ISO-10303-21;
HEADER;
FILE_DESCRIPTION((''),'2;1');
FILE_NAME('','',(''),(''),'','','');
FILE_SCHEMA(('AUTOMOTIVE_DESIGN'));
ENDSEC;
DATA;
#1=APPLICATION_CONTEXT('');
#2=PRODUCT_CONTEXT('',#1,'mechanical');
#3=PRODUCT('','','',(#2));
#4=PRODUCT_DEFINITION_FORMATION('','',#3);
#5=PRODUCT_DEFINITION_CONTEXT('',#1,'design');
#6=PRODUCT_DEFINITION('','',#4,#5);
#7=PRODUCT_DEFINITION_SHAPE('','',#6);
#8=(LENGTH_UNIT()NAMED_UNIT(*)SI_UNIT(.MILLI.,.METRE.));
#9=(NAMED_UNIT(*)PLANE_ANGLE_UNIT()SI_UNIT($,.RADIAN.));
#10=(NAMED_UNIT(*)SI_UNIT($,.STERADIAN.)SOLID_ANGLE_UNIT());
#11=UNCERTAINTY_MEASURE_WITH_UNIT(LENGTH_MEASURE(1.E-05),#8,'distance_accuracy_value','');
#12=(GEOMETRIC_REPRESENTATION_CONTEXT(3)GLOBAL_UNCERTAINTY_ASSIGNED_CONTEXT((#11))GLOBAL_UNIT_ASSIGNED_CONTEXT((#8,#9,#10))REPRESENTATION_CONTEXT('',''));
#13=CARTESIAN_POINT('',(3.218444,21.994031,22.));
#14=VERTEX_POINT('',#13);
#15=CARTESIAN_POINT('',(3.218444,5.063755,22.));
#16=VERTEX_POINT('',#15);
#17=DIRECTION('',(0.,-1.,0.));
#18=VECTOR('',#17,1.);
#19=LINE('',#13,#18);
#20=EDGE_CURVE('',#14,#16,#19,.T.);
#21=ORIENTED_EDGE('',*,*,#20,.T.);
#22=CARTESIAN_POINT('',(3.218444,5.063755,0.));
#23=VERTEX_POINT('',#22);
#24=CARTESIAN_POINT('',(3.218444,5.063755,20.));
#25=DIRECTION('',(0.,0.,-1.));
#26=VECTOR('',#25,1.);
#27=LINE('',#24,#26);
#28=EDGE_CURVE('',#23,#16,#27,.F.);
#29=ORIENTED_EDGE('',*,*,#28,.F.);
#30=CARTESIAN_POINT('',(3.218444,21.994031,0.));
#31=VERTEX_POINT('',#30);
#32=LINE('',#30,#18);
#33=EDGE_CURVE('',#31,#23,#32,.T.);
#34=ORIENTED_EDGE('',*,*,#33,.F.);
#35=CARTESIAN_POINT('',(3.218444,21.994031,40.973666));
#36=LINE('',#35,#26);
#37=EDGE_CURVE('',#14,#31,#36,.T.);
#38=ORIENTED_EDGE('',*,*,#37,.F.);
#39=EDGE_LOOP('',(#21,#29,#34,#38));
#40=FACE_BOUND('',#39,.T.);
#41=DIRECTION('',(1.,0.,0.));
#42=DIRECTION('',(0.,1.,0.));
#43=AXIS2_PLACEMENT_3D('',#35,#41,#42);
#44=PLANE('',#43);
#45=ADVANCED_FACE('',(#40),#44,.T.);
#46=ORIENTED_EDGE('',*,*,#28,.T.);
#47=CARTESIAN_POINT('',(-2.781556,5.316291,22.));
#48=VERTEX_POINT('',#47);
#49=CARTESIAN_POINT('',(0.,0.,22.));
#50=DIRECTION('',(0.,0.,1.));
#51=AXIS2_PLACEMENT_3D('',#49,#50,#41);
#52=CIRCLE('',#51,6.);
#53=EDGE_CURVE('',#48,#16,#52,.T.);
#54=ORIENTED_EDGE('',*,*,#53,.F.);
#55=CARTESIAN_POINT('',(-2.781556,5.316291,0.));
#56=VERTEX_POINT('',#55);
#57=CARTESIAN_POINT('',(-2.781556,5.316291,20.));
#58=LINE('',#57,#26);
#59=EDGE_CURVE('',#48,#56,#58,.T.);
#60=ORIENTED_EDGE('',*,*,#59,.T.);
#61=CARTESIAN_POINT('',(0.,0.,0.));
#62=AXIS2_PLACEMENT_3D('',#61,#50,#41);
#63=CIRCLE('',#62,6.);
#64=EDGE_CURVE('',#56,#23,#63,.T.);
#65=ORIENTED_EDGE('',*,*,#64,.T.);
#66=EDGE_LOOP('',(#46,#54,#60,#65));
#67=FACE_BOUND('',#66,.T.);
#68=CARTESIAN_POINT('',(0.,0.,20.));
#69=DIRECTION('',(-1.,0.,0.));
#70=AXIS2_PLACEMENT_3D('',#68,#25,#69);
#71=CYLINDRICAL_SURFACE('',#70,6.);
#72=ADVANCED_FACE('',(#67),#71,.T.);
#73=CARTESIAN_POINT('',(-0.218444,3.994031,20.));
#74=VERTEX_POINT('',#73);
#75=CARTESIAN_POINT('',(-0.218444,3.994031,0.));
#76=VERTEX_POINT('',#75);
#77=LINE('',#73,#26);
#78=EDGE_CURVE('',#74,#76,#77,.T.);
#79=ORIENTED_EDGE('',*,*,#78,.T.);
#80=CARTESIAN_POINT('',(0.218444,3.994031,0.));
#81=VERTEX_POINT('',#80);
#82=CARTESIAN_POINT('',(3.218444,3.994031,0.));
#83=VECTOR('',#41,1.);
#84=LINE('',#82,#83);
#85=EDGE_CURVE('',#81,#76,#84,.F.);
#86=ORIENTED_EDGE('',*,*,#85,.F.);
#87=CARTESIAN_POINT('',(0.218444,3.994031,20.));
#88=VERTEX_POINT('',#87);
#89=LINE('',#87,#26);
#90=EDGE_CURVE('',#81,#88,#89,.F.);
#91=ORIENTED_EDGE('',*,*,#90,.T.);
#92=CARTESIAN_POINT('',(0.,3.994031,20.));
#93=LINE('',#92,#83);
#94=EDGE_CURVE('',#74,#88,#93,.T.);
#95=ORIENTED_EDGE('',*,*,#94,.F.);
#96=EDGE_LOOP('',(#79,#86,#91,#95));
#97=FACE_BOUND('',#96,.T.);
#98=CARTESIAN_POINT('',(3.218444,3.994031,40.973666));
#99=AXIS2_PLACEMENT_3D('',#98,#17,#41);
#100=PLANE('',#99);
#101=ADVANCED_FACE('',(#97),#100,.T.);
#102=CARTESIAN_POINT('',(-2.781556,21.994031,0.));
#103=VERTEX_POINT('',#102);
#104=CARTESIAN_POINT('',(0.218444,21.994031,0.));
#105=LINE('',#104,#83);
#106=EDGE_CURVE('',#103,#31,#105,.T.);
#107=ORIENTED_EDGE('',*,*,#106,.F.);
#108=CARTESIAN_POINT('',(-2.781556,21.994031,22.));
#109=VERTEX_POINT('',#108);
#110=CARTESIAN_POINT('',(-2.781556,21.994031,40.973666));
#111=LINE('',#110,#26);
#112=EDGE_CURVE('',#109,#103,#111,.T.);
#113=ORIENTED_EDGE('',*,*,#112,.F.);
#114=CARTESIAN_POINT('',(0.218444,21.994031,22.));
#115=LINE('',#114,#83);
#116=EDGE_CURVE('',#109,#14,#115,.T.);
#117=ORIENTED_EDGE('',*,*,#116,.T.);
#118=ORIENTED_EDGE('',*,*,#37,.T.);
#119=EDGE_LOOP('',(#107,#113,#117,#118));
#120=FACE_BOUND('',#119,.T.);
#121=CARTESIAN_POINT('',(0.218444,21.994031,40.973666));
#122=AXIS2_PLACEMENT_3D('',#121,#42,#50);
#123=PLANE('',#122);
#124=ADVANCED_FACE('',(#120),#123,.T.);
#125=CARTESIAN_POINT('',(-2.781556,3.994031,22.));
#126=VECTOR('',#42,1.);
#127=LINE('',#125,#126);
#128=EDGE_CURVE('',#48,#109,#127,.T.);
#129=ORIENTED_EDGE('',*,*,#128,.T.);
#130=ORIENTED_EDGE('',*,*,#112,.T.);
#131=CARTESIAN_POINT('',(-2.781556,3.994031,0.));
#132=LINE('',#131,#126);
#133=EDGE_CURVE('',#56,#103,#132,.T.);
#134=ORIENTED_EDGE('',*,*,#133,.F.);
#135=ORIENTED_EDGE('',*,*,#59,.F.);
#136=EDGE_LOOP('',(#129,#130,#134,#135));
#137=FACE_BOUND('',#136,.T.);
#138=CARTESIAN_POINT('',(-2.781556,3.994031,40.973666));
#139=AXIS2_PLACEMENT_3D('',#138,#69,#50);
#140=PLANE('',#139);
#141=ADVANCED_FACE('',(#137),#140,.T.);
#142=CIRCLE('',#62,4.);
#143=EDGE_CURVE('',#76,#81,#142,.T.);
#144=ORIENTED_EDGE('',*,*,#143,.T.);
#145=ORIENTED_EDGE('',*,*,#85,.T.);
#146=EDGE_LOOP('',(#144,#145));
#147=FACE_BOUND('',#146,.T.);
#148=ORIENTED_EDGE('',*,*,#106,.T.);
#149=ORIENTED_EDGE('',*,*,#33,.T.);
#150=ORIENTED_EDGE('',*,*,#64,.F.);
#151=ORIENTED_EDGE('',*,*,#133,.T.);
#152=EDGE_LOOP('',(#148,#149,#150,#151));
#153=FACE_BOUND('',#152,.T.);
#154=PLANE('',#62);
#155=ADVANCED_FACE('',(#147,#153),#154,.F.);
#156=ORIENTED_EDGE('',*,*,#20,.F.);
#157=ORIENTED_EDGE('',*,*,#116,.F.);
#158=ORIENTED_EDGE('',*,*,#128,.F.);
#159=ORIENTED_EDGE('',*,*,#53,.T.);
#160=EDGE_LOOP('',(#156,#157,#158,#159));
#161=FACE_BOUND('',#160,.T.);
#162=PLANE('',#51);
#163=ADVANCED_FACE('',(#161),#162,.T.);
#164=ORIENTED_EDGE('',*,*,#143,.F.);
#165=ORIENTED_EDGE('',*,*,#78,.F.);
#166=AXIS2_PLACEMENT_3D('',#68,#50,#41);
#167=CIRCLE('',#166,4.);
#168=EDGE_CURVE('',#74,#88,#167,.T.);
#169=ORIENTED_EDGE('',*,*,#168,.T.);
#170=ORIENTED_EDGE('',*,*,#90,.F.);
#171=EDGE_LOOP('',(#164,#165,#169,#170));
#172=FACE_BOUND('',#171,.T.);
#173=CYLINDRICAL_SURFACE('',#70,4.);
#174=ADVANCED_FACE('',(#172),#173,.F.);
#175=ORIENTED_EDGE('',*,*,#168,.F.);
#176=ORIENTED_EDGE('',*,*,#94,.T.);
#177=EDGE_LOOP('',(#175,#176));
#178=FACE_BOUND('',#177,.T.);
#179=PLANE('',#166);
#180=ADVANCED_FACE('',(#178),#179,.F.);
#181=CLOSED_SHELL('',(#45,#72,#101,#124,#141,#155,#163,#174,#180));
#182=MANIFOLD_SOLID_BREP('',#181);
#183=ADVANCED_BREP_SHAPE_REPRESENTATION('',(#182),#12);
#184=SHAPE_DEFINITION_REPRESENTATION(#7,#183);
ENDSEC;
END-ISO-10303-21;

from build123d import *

# Parameters (mm, degrees)
CROQUIS1_R              = 6
CROQUIS1_R_2            = 4
SALIENTE_EXTRUIR1_DEPTH = 20
CROQUIS2_R              = 6
SALIENTE_EXTRUIR2_DEPTH = 2
SALIENTE_EXTRUIR3_REACH = 25.58


with BuildPart() as part:
    # Croquis1 → Saliente-Extruir1 (new body)
    with BuildSketch(Plane.XY):
        Circle(CROQUIS1_R)
        Circle(CROQUIS1_R_2, mode=Mode.SUBTRACT)
    extrude(amount=SALIENTE_EXTRUIR1_DEPTH)

    # Croquis2 → Saliente-Extruir2 (add)
    with BuildSketch(Plane.XY.offset(20)):
        Circle(CROQUIS2_R)
    extrude(amount=SALIENTE_EXTRUIR2_DEPTH)

    # Saliente-Extruir3: up to this face of the body (flat: up to its plane)
    saliente_extruir3_end = Plane(part.part.faces().sort_by_distance((0, 0, 22))[0])
    # Croquis3 → Saliente-Extruir3 (add, up to the picked face)
    with BuildSketch(Plane(origin=(0, 0, 0), x_dir=(-1, 0, 0), z_dir=(0, 0, -1)), mode=Mode.PRIVATE) as saliente_extruir3_sk1:
        Polygon((-0.21844428, 21.994030808), (-3.21844428, 21.994030808), (-3.21844428, 3.994030808), (2.78155572, 3.994030808), (2.78155572, 21.994030808), align=None)
    saliente_extruir3_tool1 = split(extrude(saliente_extruir3_sk1.sketch, amount=-SALIENTE_EXTRUIR3_REACH, mode=Mode.PRIVATE), bisect_by=saliente_extruir3_end, keep=Keep.BOTH, mode=Mode.PRIVATE)
    add(saliente_extruir3_tool1.solids().sort_by(Axis((0.218444, 12.994031, 0), (0, 0, 1)))[0])


solid = part.part
